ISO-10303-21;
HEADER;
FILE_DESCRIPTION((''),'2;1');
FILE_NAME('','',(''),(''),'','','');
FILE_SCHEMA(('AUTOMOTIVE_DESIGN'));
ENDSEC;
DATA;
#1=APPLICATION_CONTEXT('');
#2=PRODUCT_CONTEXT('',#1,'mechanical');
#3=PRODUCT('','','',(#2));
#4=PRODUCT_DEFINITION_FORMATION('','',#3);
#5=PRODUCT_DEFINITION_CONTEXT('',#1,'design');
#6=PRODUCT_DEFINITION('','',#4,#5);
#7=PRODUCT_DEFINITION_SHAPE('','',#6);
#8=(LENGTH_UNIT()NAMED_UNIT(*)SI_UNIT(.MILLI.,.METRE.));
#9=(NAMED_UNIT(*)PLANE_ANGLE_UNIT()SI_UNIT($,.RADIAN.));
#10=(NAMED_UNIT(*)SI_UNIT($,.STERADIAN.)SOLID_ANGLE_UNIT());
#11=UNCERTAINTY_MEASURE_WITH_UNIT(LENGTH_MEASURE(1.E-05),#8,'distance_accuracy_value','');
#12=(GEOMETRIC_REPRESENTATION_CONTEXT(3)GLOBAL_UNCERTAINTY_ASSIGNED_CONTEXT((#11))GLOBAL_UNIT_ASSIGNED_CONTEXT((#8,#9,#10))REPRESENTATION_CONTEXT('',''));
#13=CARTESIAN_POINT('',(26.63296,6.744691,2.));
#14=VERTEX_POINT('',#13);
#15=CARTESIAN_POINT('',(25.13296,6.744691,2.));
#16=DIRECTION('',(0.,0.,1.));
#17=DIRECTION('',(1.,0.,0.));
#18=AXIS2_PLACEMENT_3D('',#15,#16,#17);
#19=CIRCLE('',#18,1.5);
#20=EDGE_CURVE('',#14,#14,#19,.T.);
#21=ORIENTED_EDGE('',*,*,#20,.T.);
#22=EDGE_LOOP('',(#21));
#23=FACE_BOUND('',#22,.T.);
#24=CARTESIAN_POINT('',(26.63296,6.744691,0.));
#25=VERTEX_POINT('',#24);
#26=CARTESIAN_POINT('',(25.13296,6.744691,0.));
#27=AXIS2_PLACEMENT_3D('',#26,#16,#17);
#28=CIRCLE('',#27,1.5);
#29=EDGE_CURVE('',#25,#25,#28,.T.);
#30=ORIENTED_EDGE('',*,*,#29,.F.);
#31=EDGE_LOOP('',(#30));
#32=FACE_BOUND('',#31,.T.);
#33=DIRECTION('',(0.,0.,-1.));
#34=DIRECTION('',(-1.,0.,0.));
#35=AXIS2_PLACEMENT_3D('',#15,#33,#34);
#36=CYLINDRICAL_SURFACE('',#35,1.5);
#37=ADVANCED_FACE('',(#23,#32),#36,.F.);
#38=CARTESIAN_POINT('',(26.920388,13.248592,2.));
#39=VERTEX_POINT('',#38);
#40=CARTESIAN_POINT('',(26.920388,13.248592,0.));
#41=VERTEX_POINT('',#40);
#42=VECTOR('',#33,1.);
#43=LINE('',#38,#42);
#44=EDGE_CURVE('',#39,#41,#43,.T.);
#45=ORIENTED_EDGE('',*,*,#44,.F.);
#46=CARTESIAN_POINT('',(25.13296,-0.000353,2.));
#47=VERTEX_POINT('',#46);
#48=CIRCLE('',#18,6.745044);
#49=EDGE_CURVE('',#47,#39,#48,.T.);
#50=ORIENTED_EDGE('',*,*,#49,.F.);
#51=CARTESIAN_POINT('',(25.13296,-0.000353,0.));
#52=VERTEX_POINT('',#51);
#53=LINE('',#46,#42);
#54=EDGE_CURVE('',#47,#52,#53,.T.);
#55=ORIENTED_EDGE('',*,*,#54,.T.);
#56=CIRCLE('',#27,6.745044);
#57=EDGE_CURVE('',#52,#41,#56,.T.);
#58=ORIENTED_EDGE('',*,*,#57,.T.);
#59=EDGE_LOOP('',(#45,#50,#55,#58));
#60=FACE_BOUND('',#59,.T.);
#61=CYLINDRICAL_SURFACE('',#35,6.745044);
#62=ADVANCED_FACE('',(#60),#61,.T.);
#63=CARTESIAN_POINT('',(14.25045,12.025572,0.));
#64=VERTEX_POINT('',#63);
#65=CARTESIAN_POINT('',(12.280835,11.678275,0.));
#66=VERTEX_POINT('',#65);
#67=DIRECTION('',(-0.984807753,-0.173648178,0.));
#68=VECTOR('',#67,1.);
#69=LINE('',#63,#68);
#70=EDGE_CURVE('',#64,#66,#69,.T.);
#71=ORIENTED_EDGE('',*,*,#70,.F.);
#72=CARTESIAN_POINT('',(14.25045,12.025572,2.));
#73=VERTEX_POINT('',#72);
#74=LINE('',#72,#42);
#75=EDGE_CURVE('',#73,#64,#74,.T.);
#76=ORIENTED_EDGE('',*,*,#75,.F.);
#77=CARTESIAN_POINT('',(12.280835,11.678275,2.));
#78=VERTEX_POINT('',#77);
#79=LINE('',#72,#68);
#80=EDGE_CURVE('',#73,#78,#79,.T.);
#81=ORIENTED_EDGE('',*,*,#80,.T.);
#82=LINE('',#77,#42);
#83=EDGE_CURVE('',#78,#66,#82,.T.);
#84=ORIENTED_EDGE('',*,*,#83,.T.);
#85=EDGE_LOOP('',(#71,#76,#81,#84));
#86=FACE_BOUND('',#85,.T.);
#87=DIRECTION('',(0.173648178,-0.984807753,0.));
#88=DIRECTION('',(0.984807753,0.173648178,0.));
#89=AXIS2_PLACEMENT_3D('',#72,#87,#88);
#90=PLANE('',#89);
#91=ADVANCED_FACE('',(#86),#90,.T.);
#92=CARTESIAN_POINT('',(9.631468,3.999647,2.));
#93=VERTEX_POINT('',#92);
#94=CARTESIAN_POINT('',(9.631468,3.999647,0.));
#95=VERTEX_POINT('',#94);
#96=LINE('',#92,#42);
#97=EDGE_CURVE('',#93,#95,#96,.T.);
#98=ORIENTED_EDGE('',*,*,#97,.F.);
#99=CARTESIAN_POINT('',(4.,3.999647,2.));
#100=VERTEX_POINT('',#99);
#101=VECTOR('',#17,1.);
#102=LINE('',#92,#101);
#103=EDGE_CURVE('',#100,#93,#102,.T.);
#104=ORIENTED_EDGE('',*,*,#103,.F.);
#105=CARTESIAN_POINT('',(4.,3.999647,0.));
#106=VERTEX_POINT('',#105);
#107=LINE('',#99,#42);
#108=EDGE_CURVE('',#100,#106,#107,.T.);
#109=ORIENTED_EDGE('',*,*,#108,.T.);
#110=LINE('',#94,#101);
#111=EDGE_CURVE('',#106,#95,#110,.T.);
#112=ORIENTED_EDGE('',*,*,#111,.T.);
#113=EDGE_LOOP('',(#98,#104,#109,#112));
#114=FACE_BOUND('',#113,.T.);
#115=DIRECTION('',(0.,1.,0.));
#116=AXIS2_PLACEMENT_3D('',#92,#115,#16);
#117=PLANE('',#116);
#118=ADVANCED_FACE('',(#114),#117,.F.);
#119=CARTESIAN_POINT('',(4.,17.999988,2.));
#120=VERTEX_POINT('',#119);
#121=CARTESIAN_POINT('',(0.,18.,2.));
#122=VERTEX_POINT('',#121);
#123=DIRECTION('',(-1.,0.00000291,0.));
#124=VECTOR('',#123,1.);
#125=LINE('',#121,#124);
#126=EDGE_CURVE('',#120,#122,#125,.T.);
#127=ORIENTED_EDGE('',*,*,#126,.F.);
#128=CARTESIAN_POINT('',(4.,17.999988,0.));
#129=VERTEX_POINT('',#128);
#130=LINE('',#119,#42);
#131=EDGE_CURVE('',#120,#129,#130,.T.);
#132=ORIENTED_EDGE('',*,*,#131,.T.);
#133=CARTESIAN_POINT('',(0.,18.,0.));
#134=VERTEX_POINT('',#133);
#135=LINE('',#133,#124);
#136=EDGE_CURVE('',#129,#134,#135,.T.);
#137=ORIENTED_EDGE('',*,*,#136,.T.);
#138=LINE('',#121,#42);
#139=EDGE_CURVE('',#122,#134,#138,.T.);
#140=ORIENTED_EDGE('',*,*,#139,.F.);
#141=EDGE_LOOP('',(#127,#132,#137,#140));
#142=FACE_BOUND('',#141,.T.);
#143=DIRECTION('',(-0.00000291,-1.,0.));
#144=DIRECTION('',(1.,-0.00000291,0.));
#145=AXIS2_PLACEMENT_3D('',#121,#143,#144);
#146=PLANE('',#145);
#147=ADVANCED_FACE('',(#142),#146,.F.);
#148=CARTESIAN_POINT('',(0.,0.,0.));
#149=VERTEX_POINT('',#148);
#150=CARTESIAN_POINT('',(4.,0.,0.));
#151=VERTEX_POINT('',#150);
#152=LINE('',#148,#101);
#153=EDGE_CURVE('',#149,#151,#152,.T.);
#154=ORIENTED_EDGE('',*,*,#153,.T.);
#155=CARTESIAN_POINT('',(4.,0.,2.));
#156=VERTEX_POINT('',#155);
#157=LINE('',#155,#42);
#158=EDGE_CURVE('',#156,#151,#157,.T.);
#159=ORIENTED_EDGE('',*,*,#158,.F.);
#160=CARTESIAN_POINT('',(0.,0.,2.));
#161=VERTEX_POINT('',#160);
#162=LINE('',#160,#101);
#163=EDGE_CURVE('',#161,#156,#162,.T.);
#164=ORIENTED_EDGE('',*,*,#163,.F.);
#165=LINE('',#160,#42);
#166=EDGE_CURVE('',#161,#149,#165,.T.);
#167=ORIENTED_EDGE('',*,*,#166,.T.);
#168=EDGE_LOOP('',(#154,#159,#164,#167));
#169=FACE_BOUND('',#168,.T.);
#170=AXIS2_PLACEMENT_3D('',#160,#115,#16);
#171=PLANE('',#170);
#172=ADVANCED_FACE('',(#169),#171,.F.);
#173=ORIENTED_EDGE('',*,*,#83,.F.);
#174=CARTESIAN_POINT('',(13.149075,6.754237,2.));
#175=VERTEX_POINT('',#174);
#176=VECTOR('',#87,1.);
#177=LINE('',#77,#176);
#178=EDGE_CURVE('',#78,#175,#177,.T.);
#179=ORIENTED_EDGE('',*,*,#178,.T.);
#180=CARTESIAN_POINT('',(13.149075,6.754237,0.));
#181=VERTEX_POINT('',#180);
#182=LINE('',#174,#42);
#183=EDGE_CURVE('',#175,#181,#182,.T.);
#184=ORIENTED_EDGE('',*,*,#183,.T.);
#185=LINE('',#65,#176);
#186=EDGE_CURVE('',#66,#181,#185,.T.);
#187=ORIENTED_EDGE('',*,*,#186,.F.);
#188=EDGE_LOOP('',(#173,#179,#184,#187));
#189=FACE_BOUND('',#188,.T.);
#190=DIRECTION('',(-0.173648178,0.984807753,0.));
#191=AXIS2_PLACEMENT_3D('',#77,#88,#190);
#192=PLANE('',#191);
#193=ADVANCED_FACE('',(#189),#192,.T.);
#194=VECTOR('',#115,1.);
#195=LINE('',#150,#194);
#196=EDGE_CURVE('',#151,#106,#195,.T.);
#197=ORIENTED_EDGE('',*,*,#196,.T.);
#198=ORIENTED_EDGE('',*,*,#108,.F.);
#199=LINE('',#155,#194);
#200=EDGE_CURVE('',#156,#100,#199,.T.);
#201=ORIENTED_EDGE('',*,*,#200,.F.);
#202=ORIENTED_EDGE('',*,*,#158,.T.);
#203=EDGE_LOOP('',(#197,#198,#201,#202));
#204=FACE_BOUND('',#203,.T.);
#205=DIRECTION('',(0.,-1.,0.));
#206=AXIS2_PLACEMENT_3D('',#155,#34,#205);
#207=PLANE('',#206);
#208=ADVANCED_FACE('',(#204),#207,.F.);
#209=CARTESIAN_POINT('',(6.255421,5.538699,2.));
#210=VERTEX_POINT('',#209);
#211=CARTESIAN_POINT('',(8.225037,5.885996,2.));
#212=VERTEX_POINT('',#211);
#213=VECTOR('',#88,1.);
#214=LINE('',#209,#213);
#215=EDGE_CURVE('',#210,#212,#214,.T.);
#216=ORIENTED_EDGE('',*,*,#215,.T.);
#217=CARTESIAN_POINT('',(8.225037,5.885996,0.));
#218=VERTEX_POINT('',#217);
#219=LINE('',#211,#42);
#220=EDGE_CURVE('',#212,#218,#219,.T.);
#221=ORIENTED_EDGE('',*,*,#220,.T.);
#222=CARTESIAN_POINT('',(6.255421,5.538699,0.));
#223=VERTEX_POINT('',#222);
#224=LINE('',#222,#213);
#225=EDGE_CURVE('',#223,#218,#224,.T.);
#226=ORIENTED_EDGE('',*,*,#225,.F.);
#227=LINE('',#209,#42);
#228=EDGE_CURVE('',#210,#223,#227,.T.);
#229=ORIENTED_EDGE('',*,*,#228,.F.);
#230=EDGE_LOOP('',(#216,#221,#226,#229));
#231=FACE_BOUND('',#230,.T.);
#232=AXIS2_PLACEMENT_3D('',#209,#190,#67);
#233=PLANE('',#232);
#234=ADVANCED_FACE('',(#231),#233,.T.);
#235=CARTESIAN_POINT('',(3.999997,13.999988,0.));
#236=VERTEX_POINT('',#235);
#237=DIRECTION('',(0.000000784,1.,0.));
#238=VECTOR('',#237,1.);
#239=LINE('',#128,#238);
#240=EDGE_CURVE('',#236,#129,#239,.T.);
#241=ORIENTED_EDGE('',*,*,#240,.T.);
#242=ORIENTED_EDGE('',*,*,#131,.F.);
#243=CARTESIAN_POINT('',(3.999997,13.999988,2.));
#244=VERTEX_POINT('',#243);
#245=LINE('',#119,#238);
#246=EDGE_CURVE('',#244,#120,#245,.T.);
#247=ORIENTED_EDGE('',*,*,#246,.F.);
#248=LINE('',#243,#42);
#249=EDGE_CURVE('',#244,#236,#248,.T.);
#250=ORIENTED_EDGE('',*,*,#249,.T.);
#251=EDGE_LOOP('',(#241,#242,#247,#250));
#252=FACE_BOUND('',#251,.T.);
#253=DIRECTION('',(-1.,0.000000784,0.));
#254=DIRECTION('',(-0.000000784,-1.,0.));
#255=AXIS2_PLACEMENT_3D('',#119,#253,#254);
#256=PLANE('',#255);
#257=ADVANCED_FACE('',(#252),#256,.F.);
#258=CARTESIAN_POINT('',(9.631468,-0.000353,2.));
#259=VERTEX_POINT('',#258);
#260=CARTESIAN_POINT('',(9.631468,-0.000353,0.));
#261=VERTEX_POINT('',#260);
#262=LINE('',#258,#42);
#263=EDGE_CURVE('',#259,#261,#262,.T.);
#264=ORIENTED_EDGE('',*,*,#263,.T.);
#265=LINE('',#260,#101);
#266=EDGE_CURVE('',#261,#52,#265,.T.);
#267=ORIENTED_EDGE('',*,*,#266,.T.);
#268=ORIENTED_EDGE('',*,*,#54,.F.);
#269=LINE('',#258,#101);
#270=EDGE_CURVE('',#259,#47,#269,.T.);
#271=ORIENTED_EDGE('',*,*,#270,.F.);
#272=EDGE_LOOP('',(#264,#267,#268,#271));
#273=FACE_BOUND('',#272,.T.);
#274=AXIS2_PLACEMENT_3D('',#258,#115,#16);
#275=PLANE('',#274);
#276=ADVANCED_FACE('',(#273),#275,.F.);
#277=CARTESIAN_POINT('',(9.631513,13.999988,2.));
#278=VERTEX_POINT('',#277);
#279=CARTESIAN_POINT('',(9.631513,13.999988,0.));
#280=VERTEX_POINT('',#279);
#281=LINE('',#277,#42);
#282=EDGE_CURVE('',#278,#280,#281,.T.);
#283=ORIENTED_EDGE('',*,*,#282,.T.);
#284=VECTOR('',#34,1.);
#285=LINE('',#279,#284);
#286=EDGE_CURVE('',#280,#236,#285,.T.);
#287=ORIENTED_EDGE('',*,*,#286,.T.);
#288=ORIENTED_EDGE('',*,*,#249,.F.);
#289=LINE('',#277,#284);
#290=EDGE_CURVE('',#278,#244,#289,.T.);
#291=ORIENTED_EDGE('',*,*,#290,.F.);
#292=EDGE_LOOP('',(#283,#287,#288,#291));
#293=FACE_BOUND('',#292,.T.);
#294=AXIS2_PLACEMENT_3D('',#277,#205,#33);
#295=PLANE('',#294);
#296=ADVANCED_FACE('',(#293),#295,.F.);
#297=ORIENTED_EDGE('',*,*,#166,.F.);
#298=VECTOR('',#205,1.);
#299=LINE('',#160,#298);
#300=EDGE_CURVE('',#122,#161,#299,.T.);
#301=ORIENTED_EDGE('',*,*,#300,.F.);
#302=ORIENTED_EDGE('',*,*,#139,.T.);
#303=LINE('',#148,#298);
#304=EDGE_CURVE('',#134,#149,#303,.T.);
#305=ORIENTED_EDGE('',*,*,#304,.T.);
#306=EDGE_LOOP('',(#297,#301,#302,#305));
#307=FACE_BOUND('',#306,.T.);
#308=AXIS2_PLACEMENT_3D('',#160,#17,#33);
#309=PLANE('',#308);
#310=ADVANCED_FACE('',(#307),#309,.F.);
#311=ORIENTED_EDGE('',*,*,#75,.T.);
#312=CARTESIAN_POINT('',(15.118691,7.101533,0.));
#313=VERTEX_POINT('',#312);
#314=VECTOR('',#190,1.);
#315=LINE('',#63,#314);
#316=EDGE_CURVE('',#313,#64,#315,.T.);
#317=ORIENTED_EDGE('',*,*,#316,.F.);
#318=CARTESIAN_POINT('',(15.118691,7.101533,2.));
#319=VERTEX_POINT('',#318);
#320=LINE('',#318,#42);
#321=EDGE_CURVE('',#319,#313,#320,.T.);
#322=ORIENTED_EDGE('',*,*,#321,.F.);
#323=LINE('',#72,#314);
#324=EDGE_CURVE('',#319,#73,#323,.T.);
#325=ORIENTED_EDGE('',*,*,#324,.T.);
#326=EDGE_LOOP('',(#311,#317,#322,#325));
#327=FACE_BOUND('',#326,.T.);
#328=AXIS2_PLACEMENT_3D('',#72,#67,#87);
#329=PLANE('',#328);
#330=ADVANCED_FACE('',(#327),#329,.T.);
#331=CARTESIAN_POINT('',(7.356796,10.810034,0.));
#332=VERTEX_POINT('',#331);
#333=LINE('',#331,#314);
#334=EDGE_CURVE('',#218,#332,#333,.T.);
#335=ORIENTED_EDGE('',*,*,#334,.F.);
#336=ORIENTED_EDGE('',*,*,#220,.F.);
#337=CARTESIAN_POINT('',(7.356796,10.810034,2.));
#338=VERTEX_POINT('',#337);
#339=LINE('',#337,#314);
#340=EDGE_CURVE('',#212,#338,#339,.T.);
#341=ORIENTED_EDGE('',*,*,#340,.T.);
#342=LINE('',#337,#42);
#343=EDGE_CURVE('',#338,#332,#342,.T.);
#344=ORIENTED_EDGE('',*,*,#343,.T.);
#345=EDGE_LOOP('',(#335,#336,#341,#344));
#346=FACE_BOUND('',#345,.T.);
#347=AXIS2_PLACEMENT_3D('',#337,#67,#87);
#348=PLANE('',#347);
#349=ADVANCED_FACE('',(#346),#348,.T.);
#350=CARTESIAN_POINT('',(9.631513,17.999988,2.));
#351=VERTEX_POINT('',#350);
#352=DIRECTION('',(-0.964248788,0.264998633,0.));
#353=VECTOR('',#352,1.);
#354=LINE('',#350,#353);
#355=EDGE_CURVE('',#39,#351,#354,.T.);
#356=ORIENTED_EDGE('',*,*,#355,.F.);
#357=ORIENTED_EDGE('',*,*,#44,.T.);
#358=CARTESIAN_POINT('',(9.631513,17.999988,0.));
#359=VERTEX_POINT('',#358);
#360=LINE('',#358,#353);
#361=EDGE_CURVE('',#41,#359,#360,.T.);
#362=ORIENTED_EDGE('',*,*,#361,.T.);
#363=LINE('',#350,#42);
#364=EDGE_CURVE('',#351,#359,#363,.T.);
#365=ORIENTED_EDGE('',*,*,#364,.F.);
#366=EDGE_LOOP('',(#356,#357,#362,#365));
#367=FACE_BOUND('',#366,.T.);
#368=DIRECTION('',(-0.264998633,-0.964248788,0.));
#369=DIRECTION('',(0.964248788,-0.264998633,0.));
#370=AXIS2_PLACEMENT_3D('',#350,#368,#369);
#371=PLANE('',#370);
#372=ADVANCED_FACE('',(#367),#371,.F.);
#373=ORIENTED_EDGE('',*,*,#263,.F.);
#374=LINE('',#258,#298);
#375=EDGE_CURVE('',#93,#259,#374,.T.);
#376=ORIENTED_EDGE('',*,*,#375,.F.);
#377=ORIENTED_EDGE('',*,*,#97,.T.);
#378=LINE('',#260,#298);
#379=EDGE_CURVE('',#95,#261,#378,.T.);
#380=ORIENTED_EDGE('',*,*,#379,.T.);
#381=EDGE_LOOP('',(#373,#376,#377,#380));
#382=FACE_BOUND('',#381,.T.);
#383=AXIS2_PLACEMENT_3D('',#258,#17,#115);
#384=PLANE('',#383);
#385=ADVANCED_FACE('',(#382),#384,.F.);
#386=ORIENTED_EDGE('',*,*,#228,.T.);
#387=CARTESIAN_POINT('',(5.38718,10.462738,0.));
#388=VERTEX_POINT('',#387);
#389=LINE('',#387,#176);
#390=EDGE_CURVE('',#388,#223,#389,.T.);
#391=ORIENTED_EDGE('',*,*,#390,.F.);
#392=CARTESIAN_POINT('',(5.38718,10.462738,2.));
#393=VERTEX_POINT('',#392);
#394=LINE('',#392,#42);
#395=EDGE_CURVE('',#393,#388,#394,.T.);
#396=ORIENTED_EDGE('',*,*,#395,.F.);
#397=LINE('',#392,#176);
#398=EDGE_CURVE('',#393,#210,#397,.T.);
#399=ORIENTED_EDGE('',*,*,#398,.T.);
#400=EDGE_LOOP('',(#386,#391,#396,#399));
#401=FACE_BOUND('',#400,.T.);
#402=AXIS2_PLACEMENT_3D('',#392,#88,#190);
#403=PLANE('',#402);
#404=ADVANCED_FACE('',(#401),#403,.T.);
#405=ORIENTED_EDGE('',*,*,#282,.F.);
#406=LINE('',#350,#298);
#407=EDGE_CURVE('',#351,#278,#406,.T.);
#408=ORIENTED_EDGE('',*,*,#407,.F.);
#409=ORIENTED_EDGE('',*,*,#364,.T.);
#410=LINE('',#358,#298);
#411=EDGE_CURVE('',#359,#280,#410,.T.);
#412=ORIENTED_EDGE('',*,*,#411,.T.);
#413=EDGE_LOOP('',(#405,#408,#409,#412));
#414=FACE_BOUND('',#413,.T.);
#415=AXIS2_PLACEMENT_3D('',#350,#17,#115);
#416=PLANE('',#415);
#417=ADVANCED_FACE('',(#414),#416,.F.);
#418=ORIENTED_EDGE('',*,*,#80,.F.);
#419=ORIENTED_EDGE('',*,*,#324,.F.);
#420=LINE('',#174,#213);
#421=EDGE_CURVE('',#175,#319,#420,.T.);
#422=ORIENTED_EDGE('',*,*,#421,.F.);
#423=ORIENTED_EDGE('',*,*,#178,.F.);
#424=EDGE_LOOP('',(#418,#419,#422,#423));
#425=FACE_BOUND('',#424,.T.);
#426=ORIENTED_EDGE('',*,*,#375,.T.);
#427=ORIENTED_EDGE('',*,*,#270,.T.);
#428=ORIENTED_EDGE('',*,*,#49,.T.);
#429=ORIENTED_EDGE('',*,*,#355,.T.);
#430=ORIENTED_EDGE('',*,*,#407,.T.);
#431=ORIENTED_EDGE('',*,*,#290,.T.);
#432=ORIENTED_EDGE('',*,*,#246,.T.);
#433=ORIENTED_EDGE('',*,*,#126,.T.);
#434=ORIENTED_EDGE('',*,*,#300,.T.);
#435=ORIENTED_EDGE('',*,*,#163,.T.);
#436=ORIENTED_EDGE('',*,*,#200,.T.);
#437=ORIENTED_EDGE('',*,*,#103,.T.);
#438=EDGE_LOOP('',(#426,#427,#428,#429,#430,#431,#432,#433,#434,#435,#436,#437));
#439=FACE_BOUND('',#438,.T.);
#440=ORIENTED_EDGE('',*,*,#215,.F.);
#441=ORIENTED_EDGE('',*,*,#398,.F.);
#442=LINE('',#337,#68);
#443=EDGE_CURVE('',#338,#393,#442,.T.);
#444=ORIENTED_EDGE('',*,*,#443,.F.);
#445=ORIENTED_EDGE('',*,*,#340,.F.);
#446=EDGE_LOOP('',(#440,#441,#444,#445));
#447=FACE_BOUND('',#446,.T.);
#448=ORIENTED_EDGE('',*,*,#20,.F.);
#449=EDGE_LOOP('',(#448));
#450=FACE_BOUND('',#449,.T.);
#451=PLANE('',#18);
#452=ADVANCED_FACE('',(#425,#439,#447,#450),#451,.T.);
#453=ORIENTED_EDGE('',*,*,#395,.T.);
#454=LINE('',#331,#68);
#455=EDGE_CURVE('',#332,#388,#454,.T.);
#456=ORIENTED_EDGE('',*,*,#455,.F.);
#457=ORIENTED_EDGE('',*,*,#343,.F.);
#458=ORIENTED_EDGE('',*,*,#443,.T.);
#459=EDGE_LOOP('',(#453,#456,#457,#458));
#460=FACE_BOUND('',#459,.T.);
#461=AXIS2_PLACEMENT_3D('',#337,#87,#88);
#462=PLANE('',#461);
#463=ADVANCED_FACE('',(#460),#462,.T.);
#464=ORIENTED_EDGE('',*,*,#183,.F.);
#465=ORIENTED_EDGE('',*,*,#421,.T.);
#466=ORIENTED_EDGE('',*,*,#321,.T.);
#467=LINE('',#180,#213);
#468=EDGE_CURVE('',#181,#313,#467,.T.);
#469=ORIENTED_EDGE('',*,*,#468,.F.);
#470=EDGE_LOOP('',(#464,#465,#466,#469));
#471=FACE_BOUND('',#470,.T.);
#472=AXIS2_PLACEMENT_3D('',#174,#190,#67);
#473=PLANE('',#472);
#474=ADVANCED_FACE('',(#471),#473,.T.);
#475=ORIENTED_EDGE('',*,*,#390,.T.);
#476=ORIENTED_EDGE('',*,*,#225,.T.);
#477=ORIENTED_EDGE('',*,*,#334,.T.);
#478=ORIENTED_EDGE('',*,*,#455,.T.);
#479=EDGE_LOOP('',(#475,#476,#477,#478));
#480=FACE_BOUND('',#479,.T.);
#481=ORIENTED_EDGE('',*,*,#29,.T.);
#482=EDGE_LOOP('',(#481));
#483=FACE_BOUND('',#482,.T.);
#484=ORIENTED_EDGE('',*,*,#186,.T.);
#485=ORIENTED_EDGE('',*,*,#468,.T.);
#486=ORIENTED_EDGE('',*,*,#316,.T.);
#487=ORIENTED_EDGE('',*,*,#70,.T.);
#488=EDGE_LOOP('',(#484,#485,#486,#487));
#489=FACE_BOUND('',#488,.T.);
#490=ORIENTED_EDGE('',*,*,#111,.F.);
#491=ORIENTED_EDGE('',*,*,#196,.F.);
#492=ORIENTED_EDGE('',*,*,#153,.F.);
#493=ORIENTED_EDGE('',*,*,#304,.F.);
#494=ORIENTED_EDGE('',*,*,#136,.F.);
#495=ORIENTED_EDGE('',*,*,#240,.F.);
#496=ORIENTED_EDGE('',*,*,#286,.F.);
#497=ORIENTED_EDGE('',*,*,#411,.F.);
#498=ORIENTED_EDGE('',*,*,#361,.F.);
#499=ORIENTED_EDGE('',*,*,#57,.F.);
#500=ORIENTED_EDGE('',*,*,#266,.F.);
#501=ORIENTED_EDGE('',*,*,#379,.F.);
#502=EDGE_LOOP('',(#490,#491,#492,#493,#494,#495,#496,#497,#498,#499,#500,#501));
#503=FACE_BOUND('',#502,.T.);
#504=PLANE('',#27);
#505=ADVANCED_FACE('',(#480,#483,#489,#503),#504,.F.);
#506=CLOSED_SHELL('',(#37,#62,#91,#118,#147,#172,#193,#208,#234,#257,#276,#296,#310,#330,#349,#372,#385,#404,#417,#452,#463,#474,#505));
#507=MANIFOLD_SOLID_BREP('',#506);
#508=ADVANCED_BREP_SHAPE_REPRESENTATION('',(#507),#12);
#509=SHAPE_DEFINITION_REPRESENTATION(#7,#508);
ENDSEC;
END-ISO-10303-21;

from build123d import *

# Parameters (mm, degrees)
SKETCH1_R           = 1.5
BOSS_EXTRUDE1_DEPTH = 2


with BuildPart() as part:
    # Sketch1 → Boss-Extrude1 (new body)
    with BuildSketch(Plane.XY):
        with BuildLine():
            Line((0, 0), (0, 18))
            Line((0, 18), (4, 17.99998836))
            Line((4, 17.99998836), (3.999996862, 13.99998836))
            Line((3.999996862, 13.99998836), (9.631513212, 13.99998836))
            Line((9.631513212, 13.99998836), (9.631513212, 17.99998836))
            Line((9.631513212, 17.99998836), (26.920387768, 13.248592057))
            ThreePointArc((26.920387768, 13.248592057), (31.81744671, 5.842881132), (25.13296029, -0.000352724))
            Line((25.13296029, -0.000352724), (9.631467627, -0.000352724))
            Line((9.631467627, -0.000352724), (9.631467627, 3.999647276))
            Line((9.631467627, 3.999647276), (4, 3.999647276))
            Line((4, 3.999647276), (4, 0))
            Line((4, 0), (0, 0))
        make_face()
        with Locations((25.13296029, 6.744691419)):
            Circle(SKETCH1_R, mode=Mode.SUBTRACT)
        Polygon((14.250450019, 12.02557168), (12.280834513, 11.678275325), (13.149075402, 6.75423656), (15.118690908, 7.101532915), align=None, mode=Mode.SUBTRACT)
        Polygon((7.356795748, 10.810034437), (8.225036637, 5.885995672), (6.255421131, 5.538699316), (5.387180242, 10.462738081), align=None, mode=Mode.SUBTRACT)
    extrude(amount=BOSS_EXTRUDE1_DEPTH)


solid = part.part
